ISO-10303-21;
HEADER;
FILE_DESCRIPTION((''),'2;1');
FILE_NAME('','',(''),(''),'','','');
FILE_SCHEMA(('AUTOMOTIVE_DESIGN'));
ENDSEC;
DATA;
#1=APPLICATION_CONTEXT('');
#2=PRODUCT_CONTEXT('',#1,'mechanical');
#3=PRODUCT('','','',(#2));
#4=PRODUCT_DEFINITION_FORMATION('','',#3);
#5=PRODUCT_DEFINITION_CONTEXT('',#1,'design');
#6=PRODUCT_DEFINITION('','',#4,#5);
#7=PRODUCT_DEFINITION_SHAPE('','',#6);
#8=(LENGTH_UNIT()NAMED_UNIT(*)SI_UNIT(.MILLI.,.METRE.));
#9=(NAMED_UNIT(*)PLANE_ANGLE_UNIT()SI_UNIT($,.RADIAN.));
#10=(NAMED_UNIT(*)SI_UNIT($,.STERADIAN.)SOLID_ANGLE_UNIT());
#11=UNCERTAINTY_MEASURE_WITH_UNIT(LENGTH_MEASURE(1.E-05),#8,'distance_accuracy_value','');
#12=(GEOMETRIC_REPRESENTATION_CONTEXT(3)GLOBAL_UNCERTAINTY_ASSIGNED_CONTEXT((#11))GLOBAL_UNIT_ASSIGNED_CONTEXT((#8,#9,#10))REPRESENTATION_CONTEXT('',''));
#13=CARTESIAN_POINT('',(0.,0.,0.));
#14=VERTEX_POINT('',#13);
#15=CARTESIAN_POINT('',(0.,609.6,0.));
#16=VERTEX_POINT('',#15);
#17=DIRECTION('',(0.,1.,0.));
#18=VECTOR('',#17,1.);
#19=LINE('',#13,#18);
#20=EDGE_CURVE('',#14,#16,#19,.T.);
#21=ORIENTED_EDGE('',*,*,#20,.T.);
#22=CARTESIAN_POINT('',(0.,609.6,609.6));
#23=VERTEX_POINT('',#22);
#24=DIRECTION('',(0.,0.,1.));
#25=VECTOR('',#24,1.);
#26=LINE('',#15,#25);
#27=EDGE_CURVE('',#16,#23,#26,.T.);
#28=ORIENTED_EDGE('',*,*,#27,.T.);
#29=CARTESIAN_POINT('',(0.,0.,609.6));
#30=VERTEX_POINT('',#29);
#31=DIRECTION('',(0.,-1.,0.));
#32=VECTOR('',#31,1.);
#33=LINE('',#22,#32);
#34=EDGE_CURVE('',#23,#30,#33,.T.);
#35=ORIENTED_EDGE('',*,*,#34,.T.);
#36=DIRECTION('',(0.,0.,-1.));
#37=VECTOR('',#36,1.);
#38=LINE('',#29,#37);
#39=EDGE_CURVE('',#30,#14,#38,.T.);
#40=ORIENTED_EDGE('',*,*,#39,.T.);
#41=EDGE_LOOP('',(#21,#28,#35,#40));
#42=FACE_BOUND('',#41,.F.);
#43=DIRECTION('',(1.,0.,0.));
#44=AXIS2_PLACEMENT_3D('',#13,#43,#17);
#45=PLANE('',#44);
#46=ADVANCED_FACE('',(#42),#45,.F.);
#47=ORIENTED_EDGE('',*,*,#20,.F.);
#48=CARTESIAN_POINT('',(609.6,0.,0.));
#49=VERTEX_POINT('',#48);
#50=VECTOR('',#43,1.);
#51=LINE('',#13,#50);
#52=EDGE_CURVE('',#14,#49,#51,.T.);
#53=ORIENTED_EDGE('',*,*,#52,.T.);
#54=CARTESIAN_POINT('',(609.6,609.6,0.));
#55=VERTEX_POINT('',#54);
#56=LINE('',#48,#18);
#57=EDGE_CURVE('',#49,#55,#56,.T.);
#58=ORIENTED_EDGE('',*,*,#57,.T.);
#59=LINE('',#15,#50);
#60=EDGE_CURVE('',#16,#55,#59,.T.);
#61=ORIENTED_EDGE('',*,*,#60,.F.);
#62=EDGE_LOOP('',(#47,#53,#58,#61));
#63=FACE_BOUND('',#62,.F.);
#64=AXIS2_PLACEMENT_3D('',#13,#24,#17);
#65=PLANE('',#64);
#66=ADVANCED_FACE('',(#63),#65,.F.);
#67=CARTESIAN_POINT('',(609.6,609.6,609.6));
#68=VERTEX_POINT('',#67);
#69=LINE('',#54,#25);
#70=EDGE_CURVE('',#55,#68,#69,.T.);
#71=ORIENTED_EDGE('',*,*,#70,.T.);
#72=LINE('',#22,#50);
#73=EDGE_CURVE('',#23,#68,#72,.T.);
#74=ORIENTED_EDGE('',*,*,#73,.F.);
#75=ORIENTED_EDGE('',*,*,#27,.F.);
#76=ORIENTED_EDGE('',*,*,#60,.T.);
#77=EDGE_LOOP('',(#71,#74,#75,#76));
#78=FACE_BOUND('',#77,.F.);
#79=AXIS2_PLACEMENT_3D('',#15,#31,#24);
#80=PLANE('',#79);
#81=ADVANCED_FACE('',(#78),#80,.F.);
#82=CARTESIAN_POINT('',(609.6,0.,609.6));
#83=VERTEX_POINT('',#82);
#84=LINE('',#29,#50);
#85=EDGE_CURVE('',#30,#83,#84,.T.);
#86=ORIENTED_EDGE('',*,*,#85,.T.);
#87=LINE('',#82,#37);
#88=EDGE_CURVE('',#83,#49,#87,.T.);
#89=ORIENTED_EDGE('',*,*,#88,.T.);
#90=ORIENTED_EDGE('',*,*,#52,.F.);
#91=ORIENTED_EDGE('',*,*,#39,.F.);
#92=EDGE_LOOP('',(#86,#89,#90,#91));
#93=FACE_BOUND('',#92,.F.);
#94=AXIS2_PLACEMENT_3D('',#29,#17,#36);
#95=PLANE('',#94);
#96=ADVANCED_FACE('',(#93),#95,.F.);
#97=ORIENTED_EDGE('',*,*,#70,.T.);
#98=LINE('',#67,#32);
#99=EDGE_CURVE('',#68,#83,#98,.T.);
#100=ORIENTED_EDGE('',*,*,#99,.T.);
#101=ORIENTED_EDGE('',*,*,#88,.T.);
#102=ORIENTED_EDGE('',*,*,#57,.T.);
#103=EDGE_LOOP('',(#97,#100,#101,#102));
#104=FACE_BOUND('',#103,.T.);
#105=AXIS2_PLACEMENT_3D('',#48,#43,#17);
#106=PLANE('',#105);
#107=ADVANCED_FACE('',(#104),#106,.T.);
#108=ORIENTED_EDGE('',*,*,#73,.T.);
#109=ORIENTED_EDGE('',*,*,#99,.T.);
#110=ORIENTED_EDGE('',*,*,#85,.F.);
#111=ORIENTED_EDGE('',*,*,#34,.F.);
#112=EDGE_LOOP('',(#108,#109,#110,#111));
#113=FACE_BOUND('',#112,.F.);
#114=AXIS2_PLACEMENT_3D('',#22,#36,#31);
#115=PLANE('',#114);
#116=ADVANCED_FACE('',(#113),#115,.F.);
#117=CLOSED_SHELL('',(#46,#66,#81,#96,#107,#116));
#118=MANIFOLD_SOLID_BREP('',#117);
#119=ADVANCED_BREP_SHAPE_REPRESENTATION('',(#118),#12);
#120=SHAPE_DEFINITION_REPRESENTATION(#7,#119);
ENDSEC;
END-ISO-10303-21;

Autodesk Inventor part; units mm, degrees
ref_plane "YZ Plane" through (0, 0, 0) normal (1, 0, 0) x (0, 1, 0)
ref_plane "XZ Plane" through (0, 0, 0) normal (0, 1, 0) x (-1, 0, 0)
ref_plane "XY Plane" through (0, 0, 0) normal (0, 0, 1) x (1, 0, 0)
sketch "Sketch1" plane through (0, 0, 0) normal (1, 0, 0) x (0, 1, 0)
  line L0 (0, 0) -> (609.6, 0)
  line L1 (609.6, 0) -> (609.6, 609.6)
  line L2 (609.6, 609.6) -> (0, 609.6)
  line L3 (0, 609.6) -> (0, 0)
  dimension "d0" = 609.6
  dimension "d1" = 609.6
extrude "Extrusion1" add sketch "Sketch1" along normal blind 609.6
properties part number "24x24x24" material "Limestone"
